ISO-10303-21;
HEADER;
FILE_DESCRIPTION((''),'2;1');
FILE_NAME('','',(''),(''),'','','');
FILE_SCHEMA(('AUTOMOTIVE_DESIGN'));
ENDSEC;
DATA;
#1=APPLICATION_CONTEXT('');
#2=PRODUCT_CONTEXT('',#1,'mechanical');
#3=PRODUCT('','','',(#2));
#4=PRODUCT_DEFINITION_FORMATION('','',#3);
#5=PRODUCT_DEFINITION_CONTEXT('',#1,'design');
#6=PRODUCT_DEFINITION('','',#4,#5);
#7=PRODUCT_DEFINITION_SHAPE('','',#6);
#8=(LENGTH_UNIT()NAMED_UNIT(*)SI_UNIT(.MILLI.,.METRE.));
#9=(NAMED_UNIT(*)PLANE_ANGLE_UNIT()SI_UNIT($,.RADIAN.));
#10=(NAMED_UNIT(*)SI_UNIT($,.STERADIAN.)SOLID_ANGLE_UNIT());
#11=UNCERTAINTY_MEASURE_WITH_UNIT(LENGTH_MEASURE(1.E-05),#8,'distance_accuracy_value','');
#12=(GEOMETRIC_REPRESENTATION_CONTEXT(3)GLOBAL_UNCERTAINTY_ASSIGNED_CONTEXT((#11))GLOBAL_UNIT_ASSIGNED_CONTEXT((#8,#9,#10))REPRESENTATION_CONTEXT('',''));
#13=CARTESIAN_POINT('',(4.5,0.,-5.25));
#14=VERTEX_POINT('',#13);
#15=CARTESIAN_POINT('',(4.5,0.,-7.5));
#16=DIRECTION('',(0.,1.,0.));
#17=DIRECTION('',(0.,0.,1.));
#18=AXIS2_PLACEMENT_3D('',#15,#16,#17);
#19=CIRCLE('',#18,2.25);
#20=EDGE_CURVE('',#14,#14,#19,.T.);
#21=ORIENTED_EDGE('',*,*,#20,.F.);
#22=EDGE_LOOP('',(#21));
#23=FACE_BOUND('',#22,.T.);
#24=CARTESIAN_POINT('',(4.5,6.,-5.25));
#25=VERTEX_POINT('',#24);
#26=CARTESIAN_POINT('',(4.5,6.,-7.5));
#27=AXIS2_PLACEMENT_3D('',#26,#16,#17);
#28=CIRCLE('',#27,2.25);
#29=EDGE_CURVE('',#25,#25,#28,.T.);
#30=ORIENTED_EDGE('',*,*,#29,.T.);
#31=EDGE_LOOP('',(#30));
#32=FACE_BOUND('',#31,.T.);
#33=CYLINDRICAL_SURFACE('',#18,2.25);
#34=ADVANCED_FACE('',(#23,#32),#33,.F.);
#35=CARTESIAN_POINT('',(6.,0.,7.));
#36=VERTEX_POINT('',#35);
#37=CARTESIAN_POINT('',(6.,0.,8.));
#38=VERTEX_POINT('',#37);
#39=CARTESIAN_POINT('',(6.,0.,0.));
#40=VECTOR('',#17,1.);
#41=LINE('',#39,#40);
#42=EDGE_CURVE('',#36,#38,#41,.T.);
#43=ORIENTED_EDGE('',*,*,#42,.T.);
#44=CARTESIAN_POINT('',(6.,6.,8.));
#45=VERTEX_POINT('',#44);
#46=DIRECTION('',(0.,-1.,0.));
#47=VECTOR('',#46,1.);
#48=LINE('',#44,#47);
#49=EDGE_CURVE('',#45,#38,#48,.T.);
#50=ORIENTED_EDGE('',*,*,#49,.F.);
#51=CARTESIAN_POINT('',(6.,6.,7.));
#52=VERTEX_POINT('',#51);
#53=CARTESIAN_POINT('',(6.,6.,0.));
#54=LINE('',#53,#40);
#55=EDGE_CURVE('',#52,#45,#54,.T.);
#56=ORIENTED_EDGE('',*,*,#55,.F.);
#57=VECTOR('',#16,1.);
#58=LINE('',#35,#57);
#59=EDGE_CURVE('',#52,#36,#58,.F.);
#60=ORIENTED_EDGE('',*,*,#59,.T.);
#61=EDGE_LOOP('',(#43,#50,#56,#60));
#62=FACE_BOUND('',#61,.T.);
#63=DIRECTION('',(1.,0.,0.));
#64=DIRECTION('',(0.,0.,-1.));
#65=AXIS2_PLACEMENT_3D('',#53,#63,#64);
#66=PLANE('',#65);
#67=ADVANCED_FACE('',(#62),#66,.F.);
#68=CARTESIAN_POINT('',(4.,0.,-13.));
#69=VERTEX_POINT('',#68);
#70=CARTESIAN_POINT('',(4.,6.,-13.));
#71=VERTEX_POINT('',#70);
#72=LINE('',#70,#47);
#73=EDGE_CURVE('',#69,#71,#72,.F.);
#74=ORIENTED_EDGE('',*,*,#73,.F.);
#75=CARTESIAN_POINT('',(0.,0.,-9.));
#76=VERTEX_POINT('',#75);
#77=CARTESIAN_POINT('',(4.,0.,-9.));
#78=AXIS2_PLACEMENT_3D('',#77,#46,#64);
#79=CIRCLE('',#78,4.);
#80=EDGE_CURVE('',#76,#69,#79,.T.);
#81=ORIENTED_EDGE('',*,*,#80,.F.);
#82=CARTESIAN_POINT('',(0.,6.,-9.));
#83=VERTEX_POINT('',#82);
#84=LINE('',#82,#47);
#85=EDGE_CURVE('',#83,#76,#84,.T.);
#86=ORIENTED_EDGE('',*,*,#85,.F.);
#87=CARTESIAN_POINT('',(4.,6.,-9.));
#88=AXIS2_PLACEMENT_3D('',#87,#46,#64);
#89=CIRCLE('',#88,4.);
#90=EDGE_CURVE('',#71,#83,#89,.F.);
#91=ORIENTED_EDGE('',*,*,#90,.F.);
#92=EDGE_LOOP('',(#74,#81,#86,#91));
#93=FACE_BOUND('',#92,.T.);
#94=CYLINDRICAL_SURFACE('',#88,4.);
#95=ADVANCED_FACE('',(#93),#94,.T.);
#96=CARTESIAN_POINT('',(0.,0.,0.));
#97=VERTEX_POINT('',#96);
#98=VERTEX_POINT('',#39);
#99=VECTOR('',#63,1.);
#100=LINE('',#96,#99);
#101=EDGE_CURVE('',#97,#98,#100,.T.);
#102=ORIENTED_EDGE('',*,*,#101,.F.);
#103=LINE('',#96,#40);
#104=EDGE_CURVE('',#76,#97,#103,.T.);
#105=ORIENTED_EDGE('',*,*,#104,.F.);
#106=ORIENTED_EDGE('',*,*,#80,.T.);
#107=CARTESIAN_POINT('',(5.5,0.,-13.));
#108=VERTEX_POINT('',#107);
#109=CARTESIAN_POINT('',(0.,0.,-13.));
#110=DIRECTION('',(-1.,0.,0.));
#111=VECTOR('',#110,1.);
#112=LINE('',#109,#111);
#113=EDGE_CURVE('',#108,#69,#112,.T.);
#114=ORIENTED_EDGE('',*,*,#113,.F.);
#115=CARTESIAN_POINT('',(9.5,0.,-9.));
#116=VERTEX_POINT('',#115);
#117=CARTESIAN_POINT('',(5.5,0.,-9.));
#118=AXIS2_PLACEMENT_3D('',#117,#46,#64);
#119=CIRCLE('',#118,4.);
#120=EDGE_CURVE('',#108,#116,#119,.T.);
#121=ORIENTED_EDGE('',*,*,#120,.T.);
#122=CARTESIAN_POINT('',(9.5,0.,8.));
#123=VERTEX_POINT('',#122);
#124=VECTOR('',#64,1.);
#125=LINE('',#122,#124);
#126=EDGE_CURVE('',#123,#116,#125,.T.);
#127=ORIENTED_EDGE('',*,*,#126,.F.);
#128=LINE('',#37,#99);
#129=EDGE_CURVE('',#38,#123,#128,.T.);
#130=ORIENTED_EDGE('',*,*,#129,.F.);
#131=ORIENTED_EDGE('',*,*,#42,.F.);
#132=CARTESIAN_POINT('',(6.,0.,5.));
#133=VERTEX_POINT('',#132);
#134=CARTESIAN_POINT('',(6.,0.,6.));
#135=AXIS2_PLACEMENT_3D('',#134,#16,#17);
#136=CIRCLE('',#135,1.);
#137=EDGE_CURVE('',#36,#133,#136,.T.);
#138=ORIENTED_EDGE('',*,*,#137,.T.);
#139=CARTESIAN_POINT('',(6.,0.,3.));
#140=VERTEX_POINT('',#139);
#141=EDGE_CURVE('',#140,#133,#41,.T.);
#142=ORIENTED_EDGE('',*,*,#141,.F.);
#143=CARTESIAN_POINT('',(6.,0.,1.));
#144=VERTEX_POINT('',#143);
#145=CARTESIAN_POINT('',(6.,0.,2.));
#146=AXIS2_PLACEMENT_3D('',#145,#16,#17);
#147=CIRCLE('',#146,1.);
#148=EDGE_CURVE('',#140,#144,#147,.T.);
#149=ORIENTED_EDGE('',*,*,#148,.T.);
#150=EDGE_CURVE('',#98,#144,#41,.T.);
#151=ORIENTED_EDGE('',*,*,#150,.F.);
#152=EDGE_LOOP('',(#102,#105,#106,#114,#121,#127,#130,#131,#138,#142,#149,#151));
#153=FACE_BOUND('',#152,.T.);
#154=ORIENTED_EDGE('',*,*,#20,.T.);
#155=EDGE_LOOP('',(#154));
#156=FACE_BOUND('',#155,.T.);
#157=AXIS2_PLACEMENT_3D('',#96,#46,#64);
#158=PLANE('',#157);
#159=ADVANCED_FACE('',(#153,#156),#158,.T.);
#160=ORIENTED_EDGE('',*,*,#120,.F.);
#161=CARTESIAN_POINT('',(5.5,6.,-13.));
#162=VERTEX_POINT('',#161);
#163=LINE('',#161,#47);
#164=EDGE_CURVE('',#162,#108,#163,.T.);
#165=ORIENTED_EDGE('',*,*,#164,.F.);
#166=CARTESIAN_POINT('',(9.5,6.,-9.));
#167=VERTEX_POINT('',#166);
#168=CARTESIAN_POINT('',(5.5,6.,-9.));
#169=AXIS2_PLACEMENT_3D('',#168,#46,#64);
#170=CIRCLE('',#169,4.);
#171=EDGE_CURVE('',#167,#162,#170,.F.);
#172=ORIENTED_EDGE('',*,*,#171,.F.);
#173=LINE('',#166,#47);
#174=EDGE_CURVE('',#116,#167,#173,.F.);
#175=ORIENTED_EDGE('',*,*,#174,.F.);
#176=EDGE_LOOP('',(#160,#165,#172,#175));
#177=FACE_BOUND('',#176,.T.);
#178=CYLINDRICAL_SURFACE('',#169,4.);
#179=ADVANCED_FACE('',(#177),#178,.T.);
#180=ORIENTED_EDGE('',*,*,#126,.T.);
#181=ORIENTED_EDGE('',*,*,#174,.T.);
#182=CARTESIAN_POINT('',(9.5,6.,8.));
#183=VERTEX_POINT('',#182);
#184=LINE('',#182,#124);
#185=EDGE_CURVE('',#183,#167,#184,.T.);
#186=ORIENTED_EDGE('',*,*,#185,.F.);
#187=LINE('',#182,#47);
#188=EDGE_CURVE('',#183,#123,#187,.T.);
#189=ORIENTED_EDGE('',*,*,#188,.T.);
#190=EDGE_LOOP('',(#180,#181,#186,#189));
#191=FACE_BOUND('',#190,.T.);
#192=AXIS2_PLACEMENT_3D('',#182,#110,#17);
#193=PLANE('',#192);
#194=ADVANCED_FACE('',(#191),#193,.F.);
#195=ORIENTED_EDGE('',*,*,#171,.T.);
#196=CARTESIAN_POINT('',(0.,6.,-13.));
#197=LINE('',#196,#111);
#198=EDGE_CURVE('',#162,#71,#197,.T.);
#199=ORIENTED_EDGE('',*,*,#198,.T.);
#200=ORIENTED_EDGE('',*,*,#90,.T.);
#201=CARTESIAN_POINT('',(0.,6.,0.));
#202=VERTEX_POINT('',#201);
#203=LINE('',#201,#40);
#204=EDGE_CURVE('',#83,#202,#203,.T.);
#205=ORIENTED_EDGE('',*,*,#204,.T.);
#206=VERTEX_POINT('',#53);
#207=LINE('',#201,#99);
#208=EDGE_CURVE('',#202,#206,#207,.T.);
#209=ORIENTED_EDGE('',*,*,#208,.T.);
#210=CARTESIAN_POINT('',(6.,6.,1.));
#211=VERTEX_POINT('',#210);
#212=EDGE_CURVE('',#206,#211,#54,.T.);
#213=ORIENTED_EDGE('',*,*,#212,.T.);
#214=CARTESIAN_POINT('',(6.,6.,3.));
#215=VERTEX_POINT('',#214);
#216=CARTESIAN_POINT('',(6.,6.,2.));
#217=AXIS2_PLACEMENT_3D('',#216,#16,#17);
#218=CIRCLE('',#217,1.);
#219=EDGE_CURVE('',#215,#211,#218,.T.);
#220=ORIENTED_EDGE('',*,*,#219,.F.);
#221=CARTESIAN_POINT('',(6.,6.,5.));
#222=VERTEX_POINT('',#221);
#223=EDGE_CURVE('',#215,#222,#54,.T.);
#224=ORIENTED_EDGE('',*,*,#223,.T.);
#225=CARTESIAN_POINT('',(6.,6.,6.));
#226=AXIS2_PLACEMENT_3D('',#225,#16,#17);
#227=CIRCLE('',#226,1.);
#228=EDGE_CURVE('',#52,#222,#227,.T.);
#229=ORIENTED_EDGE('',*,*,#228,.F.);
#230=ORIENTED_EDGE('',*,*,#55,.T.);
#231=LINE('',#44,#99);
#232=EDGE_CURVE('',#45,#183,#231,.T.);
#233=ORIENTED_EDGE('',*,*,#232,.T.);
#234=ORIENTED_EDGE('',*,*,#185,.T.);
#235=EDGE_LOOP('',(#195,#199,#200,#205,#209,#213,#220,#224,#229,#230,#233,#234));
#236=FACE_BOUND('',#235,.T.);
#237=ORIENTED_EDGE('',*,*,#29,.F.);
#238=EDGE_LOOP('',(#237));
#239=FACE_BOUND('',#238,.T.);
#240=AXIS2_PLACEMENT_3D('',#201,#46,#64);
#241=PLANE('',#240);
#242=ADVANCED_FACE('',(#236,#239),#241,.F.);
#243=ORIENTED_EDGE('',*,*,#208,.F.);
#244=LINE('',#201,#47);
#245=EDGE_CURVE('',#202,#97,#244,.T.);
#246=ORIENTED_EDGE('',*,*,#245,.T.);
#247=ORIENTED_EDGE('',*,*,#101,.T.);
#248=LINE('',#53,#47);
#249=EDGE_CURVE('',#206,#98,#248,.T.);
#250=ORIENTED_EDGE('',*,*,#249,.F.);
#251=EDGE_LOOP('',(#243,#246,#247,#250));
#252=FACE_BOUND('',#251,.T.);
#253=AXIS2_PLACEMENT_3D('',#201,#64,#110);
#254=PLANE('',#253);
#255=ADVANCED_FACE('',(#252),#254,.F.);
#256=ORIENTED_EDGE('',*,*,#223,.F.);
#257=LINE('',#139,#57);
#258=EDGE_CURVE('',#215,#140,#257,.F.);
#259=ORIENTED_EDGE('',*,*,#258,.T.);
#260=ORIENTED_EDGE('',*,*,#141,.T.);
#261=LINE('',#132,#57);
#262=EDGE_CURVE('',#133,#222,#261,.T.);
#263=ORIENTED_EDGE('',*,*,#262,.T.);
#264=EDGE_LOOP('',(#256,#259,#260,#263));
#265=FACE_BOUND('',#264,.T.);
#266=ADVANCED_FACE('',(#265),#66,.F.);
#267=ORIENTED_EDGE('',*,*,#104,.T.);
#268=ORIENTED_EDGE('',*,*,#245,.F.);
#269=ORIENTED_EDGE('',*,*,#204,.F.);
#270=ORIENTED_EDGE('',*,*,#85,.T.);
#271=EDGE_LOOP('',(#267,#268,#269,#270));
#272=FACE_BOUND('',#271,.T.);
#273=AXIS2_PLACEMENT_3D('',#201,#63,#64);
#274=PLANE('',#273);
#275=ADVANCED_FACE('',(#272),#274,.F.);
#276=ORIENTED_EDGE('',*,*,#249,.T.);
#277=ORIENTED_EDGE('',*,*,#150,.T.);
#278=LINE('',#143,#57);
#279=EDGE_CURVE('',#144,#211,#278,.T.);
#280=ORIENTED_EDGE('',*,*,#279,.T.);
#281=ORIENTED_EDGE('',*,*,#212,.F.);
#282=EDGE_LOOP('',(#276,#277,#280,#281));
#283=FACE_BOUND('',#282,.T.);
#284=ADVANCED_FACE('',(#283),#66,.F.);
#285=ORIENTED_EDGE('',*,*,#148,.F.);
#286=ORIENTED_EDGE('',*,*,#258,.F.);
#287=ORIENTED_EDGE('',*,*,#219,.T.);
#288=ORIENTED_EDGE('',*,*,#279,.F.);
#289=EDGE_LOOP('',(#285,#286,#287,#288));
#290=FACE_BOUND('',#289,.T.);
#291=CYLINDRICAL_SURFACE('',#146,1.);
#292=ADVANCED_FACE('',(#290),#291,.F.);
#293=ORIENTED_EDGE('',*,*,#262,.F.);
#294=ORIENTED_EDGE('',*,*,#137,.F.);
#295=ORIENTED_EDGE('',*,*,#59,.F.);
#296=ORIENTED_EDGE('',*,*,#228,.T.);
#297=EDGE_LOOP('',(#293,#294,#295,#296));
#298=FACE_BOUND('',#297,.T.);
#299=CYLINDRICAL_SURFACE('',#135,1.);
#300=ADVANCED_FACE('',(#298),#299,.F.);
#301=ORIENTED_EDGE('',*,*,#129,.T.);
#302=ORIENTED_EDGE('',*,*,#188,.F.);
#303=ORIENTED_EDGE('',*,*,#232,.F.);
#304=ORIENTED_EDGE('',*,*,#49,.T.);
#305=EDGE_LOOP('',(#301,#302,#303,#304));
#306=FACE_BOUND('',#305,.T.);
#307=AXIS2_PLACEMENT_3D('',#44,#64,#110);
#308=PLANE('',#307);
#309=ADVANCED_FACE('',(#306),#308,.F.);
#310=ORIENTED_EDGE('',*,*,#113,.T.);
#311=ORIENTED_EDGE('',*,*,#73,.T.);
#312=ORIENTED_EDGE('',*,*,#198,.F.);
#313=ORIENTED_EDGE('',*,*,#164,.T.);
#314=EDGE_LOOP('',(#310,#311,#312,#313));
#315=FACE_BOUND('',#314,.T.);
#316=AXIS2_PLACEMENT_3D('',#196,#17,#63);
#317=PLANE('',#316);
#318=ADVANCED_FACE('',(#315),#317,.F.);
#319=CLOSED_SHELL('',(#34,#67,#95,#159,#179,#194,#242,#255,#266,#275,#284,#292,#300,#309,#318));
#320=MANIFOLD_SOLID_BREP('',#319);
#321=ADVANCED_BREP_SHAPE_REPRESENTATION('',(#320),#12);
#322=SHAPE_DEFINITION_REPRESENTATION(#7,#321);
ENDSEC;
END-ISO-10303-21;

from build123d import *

# Parameters (mm, degrees)
BOSS_EXTRUDE1_DEPTH = 6
SKETCH2_R           = 1
SKETCH2_R_2         = 2.25
CUT_EXTRUDE1_DEPTH  = 18.182840277
FILLET1_R           = 4


with BuildPart() as part:
    # Sketch1 → Boss-Extrude1 (new body)
    with BuildSketch(Plane(origin=(0, 0, 0), x_dir=(1, 0, 0), z_dir=(0, 1, 0))):
        Polygon((0, 13), (9.5, 13), (9.5, -8), (6, -8), (6, 0), (0, 0), align=None)
    extrude(amount=BOSS_EXTRUDE1_DEPTH)

    # Sketch2 → Cut-Extrude1 (cut, through all)
    with BuildSketch(Plane(origin=(0, 6, 0), x_dir=(1, 0, 0), z_dir=(0, 1, 0))):
        with Locations((6, -2)):
            Circle(SKETCH2_R)
        with Locations(Location((4.5, 7.5, 0), (0, 0, 270))):
            Circle(SKETCH2_R_2)
        with Locations((6, -6)):
            Circle(SKETCH2_R)
    extrude(amount=-CUT_EXTRUDE1_DEPTH, mode=Mode.SUBTRACT)

    # Fillet1
    fillet1_edges = [part.edges().sort_by_distance(p)[0] for p in [
        (0, 3, -13),
        (9.5, 3, -13),
    ]]
    fillet(fillet1_edges, radius=FILLET1_R)


solid = part.part
